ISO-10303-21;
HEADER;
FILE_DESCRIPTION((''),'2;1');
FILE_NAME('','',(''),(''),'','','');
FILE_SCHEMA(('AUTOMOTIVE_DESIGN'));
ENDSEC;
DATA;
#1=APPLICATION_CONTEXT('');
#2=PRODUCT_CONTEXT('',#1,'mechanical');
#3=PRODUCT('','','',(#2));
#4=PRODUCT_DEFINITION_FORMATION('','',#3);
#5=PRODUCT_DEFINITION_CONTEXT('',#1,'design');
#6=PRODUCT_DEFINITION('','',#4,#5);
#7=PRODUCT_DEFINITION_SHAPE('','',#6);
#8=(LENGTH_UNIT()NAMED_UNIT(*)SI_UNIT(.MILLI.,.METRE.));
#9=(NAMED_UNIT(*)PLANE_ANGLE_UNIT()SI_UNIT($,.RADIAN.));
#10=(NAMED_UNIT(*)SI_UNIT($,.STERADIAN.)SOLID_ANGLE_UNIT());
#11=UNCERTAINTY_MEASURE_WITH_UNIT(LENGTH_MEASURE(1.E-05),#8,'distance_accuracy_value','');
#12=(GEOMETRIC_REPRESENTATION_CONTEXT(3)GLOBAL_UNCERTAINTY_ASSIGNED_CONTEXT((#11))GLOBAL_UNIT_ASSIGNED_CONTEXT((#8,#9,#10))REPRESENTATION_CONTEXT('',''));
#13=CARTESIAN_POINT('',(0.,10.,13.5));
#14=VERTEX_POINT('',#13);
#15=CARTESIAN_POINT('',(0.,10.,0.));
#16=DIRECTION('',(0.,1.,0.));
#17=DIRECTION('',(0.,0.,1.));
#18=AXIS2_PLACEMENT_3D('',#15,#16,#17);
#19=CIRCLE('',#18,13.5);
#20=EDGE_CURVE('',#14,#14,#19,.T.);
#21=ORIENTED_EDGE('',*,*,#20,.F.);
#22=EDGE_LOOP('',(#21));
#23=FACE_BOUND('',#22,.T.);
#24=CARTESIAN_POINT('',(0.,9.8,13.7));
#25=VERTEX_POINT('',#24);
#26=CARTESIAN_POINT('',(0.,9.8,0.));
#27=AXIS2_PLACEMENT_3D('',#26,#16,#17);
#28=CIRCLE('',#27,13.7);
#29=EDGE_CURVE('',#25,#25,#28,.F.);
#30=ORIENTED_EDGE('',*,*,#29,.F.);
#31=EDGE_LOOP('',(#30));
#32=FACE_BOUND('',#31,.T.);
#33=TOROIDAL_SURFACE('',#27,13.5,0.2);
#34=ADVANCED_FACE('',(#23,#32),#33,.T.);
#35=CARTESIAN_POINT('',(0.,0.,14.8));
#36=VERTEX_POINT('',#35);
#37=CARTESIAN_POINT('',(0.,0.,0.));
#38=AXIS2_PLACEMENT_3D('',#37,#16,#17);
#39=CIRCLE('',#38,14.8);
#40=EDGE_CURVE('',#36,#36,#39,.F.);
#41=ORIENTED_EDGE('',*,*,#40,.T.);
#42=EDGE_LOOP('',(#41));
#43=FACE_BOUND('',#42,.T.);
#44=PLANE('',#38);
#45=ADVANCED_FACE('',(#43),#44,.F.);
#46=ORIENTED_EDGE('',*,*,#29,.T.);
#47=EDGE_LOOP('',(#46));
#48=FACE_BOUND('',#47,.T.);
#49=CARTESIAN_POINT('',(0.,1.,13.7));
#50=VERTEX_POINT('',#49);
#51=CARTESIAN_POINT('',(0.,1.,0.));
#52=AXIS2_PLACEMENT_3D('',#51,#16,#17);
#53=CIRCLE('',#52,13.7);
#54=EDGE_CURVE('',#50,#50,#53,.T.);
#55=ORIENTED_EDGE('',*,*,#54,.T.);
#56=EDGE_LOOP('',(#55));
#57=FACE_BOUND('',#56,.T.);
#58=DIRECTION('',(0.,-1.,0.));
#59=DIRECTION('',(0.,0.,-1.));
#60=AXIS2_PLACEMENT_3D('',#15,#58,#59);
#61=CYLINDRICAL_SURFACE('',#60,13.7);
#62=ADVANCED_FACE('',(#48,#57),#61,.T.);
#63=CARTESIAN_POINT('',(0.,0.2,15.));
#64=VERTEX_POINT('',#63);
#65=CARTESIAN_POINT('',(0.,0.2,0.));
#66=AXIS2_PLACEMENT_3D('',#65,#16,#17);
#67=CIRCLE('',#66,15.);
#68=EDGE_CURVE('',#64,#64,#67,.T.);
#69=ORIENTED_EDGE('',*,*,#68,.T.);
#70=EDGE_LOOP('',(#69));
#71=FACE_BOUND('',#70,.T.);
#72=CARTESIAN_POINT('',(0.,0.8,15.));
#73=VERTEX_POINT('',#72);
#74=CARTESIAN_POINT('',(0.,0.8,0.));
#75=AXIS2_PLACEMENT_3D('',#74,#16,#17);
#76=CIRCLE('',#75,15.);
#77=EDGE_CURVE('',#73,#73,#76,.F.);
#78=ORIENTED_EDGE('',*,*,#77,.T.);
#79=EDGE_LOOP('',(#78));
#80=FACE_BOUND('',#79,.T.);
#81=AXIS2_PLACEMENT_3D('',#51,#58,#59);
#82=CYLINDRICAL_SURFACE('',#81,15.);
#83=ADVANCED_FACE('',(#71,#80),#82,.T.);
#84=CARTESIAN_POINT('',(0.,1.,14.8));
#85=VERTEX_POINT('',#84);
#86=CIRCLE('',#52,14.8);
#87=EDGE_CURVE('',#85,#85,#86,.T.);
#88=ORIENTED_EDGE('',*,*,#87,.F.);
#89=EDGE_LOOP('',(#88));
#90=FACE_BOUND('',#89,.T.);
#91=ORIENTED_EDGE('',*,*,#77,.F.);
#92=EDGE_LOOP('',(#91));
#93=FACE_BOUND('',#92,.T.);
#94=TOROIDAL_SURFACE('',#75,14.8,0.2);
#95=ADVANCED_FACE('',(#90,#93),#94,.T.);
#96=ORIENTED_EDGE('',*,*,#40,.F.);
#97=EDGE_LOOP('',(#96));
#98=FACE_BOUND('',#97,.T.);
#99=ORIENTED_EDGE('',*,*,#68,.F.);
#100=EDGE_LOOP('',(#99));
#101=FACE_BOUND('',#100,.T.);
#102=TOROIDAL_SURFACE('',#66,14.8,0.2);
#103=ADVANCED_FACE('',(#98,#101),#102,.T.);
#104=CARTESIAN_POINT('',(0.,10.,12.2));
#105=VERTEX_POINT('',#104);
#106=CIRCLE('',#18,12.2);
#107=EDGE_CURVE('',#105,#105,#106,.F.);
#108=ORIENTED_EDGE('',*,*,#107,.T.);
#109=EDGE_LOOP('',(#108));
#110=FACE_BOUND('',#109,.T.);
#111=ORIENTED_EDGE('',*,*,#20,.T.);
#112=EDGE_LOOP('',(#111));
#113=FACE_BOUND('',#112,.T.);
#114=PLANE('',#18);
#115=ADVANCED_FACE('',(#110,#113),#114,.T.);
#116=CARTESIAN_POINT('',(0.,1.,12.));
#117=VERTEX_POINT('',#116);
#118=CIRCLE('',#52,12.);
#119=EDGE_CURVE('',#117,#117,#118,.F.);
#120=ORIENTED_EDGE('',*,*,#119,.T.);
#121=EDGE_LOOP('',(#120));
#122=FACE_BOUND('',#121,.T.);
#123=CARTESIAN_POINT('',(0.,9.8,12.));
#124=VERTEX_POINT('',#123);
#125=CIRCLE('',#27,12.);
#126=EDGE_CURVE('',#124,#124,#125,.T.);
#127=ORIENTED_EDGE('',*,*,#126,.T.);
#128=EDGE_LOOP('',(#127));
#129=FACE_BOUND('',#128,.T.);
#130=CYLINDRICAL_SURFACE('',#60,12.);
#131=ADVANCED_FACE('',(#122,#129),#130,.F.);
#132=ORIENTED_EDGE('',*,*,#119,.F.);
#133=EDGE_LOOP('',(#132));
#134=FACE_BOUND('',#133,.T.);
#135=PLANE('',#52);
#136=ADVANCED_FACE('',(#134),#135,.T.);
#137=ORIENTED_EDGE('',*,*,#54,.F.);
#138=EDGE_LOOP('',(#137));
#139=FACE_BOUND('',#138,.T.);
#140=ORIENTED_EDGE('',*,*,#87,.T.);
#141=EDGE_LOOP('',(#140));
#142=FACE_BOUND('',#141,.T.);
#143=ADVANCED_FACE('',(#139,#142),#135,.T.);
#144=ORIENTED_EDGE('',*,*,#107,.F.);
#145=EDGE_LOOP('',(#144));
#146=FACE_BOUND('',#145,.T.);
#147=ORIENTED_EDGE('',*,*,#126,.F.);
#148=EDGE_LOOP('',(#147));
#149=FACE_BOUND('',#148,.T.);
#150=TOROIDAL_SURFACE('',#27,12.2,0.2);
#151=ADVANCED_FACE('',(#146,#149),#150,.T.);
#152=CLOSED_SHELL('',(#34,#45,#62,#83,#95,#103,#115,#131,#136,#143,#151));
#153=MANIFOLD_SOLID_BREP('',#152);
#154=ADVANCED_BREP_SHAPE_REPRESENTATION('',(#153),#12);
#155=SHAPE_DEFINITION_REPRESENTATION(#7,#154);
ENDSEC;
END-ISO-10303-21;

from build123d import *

# Parameters (mm, degrees)
SKETCH_1_R      = 15
EXTRUDE_1_DEPTH = 1
SKETCH_2_R      = 13.7
SKETCH_2_R_2    = 12
EXTRUDE_2_DEPTH = 9
FILLET_1_R      = 0.2


with BuildPart() as part:
    # 草图1 → 凸台-拉伸1 (new body)
    with BuildSketch(Plane(origin=(0, 0, 0), x_dir=(1, 0, 0), z_dir=(0, 1, 0))):
        with Locations(Location((0, 0, 0), (0, 0, 270))):
            Circle(SKETCH_1_R)
    extrude(amount=EXTRUDE_1_DEPTH)

    # 草图2 → 凸台-拉伸2 (add)
    with BuildSketch(Plane(origin=(0, 1, 0), x_dir=(1, 0, 0), z_dir=(0, 1, 0))):
        with Locations(Location((0, 0, 0), (0, 0, 270))):
            Circle(SKETCH_2_R)
        with Locations(Location((0, 0, 0), (0, 0, 270))):
            Circle(SKETCH_2_R_2, mode=Mode.SUBTRACT)
    extrude(amount=EXTRUDE_2_DEPTH)

    # 圆角1
    fillet_1_edges = [part.edges().sort_by_distance(p)[0] for p in [
        (0, 0, -15),
        (0, 1, -15),
        (0, 10, -13.7),
        (0, 10, -12),
    ]]
    fillet(fillet_1_edges, radius=FILLET_1_R)


solid = part.part
